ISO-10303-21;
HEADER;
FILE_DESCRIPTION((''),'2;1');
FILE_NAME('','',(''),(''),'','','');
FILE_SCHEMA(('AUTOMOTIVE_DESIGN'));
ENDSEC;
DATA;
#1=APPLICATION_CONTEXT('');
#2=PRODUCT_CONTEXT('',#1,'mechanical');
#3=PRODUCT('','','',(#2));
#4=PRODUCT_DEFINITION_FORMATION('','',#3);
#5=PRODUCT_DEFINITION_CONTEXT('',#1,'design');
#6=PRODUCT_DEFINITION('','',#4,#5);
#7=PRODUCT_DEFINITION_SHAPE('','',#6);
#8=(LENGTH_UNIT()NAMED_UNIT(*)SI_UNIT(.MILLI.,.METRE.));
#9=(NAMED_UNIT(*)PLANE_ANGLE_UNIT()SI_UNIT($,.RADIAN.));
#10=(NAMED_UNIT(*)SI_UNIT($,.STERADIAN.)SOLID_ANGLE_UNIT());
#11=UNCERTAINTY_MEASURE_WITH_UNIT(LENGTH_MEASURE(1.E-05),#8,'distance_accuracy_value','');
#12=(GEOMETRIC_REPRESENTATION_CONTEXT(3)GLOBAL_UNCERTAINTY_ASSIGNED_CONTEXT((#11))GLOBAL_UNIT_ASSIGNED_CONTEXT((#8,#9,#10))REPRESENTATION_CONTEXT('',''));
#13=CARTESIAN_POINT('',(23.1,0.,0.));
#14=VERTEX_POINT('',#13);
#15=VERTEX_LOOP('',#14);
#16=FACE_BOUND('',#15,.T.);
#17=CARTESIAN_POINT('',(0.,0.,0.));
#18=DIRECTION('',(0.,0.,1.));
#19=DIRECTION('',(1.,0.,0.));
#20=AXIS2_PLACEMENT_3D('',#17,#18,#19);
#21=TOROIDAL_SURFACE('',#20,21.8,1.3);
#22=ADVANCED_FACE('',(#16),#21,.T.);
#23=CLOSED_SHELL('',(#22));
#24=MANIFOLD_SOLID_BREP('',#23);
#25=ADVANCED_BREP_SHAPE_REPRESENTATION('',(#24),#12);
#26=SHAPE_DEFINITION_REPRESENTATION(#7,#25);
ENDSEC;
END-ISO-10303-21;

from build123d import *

# Parameters (mm, degrees)
SKETCH1_R = 1.3


with BuildPart() as part:
    # Sketch1 → Revolve1 (revolve)
    with BuildSketch(Plane(origin=(0, 0, 0), x_dir=(0, 0, -1), z_dir=(1, 0, 0)), mode=Mode.PRIVATE) as revolve1_sk:
        with Locations((0, 21.8)):
            Circle(SKETCH1_R)
    revolve(revolve1_sk.sketch.rotate(Axis((0, 0, 15.49935567), (0, 0, -1)), 90), axis=Axis((0, 0, 15.49935567), (0, 0, -1)))


solid = part.part
